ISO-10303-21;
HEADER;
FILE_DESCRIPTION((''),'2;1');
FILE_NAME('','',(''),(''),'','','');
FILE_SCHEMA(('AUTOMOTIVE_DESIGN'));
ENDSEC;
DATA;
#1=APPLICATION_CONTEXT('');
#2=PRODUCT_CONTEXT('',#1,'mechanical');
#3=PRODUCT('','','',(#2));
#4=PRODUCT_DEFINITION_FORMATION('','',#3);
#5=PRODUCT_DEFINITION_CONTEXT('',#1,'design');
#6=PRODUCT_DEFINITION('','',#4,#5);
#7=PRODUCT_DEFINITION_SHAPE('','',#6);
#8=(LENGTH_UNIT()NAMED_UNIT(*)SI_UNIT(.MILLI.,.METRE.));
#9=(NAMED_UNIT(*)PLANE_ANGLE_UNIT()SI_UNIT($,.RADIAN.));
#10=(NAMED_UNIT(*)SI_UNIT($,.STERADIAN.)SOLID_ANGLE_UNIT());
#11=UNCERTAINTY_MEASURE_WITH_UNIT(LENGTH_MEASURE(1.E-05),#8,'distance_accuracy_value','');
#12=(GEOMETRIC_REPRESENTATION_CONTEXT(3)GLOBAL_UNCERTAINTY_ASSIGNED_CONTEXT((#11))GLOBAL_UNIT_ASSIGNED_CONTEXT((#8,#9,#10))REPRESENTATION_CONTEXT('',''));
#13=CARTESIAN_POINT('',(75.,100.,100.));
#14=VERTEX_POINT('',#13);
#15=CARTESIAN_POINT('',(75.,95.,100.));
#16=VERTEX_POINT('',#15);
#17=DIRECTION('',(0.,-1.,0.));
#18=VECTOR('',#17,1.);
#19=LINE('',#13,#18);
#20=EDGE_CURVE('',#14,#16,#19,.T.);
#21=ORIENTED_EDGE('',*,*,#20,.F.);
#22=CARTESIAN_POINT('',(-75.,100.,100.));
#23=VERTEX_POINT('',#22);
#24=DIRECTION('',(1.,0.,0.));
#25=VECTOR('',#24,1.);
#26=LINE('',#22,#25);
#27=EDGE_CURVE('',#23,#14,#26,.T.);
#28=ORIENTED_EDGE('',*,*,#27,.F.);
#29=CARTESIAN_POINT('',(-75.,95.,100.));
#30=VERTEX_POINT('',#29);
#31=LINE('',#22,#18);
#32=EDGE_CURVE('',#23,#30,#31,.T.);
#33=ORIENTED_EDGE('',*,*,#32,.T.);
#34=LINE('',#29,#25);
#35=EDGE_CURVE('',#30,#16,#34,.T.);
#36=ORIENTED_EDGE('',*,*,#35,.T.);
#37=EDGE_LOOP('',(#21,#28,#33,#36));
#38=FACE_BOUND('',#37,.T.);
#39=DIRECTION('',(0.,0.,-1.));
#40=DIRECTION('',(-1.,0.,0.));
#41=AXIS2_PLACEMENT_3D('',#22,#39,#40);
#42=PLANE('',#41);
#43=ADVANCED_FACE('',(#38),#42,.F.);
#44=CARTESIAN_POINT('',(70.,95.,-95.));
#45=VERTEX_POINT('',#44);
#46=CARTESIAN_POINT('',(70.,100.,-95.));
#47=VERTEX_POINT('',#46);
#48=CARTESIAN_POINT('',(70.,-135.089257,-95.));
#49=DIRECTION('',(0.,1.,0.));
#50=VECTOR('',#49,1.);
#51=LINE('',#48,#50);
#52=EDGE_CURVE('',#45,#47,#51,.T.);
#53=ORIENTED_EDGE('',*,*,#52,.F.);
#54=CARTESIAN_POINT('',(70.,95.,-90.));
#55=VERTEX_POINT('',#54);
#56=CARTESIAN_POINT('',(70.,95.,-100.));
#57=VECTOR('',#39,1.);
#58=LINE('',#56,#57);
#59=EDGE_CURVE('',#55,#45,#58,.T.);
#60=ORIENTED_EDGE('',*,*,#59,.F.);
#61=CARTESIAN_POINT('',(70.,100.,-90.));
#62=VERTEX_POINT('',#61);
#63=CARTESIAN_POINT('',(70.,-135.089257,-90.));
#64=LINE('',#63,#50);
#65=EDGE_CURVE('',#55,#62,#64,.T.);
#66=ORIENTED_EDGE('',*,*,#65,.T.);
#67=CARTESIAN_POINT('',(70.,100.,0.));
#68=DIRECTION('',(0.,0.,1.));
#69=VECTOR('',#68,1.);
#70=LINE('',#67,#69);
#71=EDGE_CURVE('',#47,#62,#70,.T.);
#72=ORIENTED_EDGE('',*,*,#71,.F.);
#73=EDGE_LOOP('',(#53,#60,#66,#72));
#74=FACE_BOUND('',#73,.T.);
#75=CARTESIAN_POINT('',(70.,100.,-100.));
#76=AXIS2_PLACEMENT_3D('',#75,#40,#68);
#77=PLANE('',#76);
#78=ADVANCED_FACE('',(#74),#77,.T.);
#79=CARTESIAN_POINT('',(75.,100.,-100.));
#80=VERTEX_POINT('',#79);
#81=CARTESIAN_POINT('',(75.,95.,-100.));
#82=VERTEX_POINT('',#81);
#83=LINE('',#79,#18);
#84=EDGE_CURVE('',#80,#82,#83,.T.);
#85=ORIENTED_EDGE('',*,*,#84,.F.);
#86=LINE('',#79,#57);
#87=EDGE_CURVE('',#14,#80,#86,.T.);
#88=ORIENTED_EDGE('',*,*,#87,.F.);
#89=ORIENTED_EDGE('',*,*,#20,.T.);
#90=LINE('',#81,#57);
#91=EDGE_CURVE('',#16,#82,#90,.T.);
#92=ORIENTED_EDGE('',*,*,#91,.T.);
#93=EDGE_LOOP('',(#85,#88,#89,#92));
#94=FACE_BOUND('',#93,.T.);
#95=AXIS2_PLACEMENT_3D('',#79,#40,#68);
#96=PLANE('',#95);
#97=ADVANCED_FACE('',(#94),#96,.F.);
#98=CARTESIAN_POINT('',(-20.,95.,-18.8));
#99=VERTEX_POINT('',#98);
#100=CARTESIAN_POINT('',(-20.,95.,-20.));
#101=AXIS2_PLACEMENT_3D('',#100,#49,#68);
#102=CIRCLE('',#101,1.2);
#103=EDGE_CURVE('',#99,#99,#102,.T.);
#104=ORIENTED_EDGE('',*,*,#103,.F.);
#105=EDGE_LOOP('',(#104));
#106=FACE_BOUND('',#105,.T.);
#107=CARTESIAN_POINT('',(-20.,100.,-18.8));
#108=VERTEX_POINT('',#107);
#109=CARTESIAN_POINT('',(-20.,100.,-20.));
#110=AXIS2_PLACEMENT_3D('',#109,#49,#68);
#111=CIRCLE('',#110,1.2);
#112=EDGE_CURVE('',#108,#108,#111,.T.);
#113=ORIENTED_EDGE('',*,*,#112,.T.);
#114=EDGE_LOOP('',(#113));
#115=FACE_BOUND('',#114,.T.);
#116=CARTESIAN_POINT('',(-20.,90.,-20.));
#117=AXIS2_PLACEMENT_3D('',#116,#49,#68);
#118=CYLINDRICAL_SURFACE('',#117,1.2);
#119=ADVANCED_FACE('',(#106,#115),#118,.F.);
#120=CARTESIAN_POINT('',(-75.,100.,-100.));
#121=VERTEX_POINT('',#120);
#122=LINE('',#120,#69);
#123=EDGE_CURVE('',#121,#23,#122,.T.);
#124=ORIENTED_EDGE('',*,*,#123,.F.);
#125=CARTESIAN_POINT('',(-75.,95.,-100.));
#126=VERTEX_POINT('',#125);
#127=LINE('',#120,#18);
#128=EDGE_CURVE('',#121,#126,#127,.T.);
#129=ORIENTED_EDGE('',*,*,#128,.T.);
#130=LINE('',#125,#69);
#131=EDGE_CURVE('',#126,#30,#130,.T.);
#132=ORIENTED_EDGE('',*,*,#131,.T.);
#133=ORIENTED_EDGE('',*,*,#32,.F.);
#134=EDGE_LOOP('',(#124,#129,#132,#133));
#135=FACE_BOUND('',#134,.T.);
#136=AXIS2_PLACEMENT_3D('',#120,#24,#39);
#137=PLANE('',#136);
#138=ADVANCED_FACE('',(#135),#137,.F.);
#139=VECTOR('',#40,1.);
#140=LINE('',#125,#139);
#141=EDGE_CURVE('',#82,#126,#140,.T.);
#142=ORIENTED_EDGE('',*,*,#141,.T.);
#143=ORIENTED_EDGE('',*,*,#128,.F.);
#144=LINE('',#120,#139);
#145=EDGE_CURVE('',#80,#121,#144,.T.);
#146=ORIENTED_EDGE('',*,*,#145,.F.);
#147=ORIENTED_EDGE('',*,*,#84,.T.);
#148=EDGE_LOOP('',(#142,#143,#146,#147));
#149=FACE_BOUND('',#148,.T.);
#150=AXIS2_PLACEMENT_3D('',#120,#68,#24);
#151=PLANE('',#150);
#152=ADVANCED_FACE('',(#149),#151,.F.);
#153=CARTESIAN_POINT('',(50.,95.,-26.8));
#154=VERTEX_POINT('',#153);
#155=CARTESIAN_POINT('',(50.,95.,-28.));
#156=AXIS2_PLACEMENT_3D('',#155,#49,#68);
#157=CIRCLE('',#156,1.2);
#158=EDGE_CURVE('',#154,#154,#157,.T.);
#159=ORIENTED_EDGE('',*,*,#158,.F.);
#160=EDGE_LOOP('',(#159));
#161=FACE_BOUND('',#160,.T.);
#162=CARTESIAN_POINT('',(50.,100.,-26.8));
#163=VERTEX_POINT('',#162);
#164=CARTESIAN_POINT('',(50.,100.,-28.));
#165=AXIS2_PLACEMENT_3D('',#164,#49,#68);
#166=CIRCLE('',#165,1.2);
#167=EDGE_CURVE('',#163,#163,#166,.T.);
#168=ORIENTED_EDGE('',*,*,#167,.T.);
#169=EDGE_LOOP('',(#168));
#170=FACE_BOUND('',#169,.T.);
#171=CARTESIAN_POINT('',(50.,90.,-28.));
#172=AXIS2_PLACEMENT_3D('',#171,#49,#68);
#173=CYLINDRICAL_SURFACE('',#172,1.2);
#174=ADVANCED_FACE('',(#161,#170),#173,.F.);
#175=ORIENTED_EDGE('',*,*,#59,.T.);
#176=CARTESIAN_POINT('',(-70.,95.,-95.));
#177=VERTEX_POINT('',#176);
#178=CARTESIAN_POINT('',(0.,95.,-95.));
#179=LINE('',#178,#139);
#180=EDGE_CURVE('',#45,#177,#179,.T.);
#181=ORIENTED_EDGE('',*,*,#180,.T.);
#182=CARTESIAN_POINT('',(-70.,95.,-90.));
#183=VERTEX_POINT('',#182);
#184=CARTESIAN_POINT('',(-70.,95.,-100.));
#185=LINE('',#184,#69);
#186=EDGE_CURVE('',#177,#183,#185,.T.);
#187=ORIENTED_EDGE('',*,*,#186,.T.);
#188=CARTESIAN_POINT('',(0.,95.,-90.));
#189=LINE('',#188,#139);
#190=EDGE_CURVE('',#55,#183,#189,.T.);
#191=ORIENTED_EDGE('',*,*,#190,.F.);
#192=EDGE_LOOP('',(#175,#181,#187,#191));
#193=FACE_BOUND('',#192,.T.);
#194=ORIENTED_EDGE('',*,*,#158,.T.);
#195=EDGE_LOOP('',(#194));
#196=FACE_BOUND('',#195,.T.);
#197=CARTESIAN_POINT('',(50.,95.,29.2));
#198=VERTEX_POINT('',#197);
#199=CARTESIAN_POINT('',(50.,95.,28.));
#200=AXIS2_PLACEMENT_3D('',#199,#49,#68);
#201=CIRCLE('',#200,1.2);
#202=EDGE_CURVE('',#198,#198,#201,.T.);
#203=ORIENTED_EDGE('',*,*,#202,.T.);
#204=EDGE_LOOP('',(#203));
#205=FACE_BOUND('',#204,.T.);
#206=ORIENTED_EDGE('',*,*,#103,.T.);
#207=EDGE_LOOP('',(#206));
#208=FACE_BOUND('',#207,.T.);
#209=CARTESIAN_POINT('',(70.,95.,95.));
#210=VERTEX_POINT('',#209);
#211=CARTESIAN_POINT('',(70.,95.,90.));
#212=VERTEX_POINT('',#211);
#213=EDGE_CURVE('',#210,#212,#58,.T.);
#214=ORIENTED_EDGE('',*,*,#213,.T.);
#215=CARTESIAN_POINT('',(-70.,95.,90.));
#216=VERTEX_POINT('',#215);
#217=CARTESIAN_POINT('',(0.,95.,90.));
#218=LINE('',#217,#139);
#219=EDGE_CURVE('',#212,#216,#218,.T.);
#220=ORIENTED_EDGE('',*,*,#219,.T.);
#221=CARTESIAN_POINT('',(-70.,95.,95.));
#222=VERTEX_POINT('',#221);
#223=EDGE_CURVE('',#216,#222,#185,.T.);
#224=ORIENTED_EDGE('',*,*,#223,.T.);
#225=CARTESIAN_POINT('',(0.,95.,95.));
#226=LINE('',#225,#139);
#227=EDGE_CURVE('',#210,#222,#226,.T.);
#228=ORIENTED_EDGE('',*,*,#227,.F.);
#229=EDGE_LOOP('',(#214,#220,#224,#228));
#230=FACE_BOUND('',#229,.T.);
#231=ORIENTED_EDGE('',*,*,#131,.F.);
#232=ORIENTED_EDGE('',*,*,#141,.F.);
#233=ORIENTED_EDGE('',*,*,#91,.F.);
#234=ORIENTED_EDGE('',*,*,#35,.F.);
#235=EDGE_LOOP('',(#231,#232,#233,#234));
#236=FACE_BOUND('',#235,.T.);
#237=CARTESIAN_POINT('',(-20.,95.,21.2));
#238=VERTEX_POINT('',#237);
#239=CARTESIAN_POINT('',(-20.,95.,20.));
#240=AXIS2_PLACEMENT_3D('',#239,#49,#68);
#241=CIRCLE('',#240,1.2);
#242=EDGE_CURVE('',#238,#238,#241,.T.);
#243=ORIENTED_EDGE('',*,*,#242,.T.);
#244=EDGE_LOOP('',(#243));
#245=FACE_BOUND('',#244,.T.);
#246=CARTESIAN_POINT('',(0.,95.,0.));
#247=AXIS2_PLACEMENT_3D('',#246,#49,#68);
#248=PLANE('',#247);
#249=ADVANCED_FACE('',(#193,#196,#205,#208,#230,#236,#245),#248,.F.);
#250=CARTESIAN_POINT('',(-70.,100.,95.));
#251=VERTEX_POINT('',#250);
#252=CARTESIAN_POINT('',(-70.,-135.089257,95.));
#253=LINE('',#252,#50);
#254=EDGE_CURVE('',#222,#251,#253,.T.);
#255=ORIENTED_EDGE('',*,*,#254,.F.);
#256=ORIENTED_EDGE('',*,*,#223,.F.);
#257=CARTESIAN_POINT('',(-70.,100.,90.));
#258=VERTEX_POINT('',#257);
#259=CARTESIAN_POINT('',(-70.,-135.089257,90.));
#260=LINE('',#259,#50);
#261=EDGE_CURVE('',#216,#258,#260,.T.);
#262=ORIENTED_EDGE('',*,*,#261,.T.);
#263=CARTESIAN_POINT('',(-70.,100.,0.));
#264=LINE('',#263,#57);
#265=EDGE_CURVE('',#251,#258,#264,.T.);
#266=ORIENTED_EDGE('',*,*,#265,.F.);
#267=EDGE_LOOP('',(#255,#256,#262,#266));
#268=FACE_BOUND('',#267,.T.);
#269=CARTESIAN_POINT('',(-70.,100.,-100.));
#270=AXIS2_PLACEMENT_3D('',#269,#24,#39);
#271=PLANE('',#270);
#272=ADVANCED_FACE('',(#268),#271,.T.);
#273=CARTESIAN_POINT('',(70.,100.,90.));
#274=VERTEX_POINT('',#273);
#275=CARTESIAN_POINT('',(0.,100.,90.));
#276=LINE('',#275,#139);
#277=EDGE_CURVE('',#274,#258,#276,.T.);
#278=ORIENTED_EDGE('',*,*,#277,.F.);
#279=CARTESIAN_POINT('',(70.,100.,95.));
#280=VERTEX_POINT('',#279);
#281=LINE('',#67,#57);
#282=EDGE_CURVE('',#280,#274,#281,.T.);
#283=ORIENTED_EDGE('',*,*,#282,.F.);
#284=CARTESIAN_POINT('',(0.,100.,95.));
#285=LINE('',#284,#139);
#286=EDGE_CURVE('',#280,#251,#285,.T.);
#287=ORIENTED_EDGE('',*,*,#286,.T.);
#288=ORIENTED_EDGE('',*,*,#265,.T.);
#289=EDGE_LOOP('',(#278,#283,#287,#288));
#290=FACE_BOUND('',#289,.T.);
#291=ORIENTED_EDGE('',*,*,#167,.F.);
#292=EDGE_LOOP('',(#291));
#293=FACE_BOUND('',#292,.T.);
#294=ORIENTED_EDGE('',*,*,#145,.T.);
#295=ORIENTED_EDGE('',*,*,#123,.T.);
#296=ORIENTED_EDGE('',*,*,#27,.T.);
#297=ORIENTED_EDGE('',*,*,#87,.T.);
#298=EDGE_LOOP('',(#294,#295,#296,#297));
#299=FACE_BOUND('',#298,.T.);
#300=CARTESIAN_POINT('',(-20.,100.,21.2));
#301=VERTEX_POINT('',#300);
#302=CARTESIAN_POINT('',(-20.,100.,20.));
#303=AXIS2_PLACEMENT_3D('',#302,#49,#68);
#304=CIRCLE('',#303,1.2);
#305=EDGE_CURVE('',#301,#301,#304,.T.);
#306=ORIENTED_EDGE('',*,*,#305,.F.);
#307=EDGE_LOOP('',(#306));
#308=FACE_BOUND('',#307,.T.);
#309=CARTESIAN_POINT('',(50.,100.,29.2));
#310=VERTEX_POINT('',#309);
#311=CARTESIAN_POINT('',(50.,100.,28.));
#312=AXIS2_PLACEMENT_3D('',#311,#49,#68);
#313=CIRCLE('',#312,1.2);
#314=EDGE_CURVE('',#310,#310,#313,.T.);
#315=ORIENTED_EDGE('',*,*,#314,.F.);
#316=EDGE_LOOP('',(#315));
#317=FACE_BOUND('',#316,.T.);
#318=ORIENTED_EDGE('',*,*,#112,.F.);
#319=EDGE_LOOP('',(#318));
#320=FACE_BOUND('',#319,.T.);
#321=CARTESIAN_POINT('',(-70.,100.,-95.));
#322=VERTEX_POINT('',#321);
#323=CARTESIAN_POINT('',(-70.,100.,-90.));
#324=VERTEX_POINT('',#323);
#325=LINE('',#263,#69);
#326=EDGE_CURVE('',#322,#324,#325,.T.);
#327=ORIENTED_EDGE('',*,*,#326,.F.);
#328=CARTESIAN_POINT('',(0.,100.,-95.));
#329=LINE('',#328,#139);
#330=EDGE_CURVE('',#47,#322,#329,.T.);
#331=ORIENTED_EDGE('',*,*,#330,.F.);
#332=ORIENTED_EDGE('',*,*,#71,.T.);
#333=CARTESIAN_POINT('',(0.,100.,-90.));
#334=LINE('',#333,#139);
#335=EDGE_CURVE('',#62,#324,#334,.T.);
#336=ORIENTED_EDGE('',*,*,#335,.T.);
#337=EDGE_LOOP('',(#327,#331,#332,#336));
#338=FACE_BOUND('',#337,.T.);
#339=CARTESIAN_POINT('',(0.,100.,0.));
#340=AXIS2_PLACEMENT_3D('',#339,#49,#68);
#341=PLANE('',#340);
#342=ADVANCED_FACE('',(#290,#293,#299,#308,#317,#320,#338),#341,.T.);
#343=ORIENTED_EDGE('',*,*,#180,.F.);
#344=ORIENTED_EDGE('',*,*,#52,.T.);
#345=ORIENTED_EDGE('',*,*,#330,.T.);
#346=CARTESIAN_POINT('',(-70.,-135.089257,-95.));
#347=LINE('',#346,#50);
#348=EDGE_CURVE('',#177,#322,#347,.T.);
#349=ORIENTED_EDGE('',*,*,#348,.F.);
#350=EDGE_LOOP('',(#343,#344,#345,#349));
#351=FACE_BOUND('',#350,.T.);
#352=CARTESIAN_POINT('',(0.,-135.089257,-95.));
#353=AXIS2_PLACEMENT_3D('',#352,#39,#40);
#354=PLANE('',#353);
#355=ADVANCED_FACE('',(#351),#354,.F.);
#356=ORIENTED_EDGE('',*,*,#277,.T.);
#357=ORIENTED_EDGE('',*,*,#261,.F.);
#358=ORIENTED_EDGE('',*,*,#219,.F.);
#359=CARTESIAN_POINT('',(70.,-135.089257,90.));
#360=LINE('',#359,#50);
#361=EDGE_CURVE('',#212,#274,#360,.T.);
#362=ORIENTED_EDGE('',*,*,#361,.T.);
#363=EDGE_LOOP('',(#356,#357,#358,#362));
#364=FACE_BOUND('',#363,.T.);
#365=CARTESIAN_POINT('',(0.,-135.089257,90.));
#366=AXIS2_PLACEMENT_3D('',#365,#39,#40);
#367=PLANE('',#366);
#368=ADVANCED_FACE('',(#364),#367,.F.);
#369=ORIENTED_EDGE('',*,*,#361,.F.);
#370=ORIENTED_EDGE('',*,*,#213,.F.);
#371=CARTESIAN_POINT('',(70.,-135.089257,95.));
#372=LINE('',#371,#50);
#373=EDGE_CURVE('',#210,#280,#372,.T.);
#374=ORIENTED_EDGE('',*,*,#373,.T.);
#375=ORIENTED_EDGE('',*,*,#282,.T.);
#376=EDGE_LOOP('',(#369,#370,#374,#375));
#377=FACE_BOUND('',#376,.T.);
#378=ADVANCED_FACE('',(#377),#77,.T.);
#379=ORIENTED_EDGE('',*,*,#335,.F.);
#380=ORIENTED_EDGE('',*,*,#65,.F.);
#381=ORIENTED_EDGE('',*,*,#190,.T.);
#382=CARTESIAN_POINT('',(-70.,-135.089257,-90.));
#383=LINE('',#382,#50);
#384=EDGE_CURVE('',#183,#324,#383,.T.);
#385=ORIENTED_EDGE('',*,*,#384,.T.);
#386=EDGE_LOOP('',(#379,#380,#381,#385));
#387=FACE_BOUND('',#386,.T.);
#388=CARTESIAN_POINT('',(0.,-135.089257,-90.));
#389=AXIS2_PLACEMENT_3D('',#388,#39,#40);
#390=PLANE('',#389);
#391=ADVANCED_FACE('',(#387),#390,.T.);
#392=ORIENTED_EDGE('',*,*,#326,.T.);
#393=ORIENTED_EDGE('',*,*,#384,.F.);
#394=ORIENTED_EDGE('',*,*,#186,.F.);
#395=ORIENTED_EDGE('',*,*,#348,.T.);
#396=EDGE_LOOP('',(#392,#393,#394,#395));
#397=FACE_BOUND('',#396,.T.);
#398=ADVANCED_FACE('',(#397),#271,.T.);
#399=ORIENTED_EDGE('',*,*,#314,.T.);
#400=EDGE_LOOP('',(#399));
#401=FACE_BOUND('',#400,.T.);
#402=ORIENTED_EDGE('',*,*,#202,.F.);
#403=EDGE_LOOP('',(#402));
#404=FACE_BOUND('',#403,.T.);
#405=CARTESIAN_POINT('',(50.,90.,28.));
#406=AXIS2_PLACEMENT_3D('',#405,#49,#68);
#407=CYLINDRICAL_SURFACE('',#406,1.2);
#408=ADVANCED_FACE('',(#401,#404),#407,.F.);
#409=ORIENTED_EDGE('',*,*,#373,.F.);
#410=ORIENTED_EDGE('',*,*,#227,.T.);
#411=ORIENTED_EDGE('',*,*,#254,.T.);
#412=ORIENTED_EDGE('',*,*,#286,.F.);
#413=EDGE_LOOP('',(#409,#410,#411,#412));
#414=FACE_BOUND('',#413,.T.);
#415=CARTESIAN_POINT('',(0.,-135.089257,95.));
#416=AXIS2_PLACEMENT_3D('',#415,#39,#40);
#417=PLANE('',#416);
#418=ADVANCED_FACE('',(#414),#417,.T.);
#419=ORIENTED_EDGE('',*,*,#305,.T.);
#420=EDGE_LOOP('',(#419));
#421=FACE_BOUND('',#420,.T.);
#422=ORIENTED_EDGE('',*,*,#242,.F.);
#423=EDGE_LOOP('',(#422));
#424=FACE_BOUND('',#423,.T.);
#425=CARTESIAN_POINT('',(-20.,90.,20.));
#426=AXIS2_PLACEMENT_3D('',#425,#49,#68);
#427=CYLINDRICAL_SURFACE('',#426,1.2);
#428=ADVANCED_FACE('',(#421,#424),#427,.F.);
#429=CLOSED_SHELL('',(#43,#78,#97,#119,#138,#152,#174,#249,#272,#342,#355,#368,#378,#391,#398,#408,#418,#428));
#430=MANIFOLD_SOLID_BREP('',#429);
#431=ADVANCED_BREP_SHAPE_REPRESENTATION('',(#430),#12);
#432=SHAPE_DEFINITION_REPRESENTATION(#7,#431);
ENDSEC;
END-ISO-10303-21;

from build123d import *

# Parameters (mm, degrees)
SKETCH1_W           = 150
SKETCH1_H           = 200
BOSS_EXTRUDE1_DEPTH = 100
SHELL2_T            = -5
SKETCH5_R           = 1.9
CUT_EXTRUDE2_DEPTH  = 10
BOSS_EXTRUDE4_DEPTH = 200
SKETCH9_W           = 101.133931545
SKETCH9_H           = 31.996148617
CUT_EXTRUDE4_DEPTH  = 236.849528301
SKETCH10_R          = 4
CUT_EXTRUDE5_DEPTH  = 10
CUT_EXTRUDE7_REACH  = 162.078
SKETCH11_W          = 140
SKETCH11_H          = 5
SKETCH15_R          = 1.2
CUT_EXTRUDE11_DEPTH = 10
SKETCH36_W          = 60
SKETCH36_H          = 5
BOSS_EXTRUDE7_DEPTH = 10
SKETCH37_R          = 3.5
CUT_EXTRUDE15_DEPTH = 60
SKETCH38_R          = 5
CUT_EXTRUDE16_DEPTH = 70
SKETCH39_W          = 156.49295795
SKETCH39_H          = 102.702702005
CUT_EXTRUDE17_DEPTH = 236.849528301


with BuildPart() as part:
    # Sketch1 → Boss-Extrude1 (new body)
    with BuildSketch(Plane(origin=(0, 0, 0), x_dir=(1, 0, 0), z_dir=(0, 1, 0))):
        Rectangle(SKETCH1_W, SKETCH1_H)
    extrude(amount=BOSS_EXTRUDE1_DEPTH)

    # Shell2
    shell2_openings = [part.faces().sort_by_distance(p)[0] for p in [
        (0, 50, -100),
        (0, 50, 100),
    ]]
    offset(amount=SHELL2_T, openings=shell2_openings, kind=Kind.INTERSECTION)

    # Sketch5 → Cut-Extrude2 (cut)
    with BuildSketch(Plane.XZ):
        with Locations(Location((-65, 91, 0), (0, 0, 270))):
            Circle(SKETCH5_R)
        with Locations(Location((-35, 91, 0), (0, 0, 270))):
            Circle(SKETCH5_R)
        with Locations(Location((-65, 67, 0), (0, 0, 270))):
            Circle(SKETCH5_R)
        with Locations(Location((-35, 67, 0), (0, 0, 270))):
            Circle(SKETCH5_R)
    cut_extrude2 = extrude(amount=-CUT_EXTRUDE2_DEPTH, mode=Mode.SUBTRACT)

    # Mirror2: Cut-Extrude2 across plane
    add(cut_extrude2.mirror(Plane.XY), mode=Mode.SUBTRACT)

    # Sketch8 → Boss-Extrude4 (add, through all)
    with BuildSketch(Plane.XY.offset(100)):
        Polygon((-15, 17), (75, 17), (75, 22), (-20, 22), (-20, 0), (-15, 0), align=None)
    extrude(amount=-BOSS_EXTRUDE4_DEPTH)

    # Sketch9 → Cut-Extrude4 (cut, through all)
    with BuildSketch(Plane.XY.offset(100)):
        with Locations((35.566965773, 1.001925691)):
            Rectangle(SKETCH9_W, SKETCH9_H)
    extrude(amount=-CUT_EXTRUDE4_DEPTH, mode=Mode.SUBTRACT)

    # Sketch10 → Cut-Extrude5 (cut)
    with BuildSketch(Plane.XZ.offset(-17)):
        with Locations((60, 0)):
            Circle(SKETCH10_R)
    extrude(amount=-CUT_EXTRUDE5_DEPTH, mode=Mode.SUBTRACT)

    # Cut-Extrude7: up to this face of the body (flat: up to its plane)
    cut_extrude7_end = Plane(part.part.faces().sort_by_distance((-44.954220044, 5, 0))[0])
    # Sketch11 → Cut-Extrude7 (cut, up to the picked face)
    with BuildSketch(Plane(origin=(0, 100, 0), x_dir=(1, 0, 0), z_dir=(0, 1, 0)), mode=Mode.PRIVATE) as cut_extrude7_sk1:
        with Locations((0, -92.5)):
            Rectangle(SKETCH11_W, SKETCH11_H)
    cut_extrude7_tool1 = split(extrude(cut_extrude7_sk1.sketch, amount=-CUT_EXTRUDE7_REACH, mode=Mode.PRIVATE), bisect_by=cut_extrude7_end, keep=Keep.BOTH, mode=Mode.PRIVATE)
    cut_extrude7 = cut_extrude7_tool1.solids().sort_by(Axis((0, 100, 92.5), (0, -1, 0)))[0]
    add(cut_extrude7, mode=Mode.SUBTRACT)

    # Mirror3: Cut-Extrude7 across plane
    add(cut_extrude7.mirror(Plane.XY), mode=Mode.SUBTRACT)

    # Sketch15 → Cut-Extrude11 (cut)
    with BuildSketch(Plane(origin=(0, 100, 0), x_dir=(1, 0, 0), z_dir=(0, 1, 0))):
        with Locations(Location((50, 28, 0), (0, 0, 270))):
            Circle(SKETCH15_R)
        with Locations(Location((50, -28, 0), (0, 0, 270))):
            Circle(SKETCH15_R)
        with Locations(Location((-20, 20, 0), (0, 0, 270))):
            Circle(SKETCH15_R)
        with Locations(Location((-20, -20, 0), (0, 0, 270))):
            Circle(SKETCH15_R)
    extrude(amount=-CUT_EXTRUDE11_DEPTH, mode=Mode.SUBTRACT)

    # Sketch36 → Boss-Extrude7 (add)
    with BuildSketch(Plane.ZY.offset(-70)):
        with Locations((-13.202053215, 62.5)):
            Rectangle(SKETCH36_W, SKETCH36_H)
    boss_extrude7 = extrude(amount=BOSS_EXTRUDE7_DEPTH)

    # Mirror5: Boss-Extrude7 across plane
    add(boss_extrude7.mirror(Plane(origin=(0, 0, 0), x_dir=(0, 0, 1), z_dir=(1, 0, 0))))

    # Sketch37 → Cut-Extrude15 (cut)
    with BuildSketch(Plane(origin=(75, 0, 0), x_dir=(0, 0, -1), z_dir=(1, 0, 0))):
        with Locations((0, 75)):
            Circle(SKETCH37_R)
    extrude(amount=-CUT_EXTRUDE15_DEPTH, mode=Mode.SUBTRACT)

    # Sketch38 → Cut-Extrude16 (cut)
    with BuildSketch(Plane.ZY.offset(75)):
        with Locations((0, 80)):
            Circle(SKETCH38_R)
    extrude(amount=-CUT_EXTRUDE16_DEPTH, mode=Mode.SUBTRACT)

    # Sketch39 → Cut-Extrude17 (cut, through all)
    with BuildSketch(Plane.XY.offset(100)):
        with Locations((3.246478975, 43.648648997)):
            Rectangle(SKETCH39_W, SKETCH39_H)
    extrude(amount=-CUT_EXTRUDE17_DEPTH, mode=Mode.SUBTRACT)


solid = part.part
